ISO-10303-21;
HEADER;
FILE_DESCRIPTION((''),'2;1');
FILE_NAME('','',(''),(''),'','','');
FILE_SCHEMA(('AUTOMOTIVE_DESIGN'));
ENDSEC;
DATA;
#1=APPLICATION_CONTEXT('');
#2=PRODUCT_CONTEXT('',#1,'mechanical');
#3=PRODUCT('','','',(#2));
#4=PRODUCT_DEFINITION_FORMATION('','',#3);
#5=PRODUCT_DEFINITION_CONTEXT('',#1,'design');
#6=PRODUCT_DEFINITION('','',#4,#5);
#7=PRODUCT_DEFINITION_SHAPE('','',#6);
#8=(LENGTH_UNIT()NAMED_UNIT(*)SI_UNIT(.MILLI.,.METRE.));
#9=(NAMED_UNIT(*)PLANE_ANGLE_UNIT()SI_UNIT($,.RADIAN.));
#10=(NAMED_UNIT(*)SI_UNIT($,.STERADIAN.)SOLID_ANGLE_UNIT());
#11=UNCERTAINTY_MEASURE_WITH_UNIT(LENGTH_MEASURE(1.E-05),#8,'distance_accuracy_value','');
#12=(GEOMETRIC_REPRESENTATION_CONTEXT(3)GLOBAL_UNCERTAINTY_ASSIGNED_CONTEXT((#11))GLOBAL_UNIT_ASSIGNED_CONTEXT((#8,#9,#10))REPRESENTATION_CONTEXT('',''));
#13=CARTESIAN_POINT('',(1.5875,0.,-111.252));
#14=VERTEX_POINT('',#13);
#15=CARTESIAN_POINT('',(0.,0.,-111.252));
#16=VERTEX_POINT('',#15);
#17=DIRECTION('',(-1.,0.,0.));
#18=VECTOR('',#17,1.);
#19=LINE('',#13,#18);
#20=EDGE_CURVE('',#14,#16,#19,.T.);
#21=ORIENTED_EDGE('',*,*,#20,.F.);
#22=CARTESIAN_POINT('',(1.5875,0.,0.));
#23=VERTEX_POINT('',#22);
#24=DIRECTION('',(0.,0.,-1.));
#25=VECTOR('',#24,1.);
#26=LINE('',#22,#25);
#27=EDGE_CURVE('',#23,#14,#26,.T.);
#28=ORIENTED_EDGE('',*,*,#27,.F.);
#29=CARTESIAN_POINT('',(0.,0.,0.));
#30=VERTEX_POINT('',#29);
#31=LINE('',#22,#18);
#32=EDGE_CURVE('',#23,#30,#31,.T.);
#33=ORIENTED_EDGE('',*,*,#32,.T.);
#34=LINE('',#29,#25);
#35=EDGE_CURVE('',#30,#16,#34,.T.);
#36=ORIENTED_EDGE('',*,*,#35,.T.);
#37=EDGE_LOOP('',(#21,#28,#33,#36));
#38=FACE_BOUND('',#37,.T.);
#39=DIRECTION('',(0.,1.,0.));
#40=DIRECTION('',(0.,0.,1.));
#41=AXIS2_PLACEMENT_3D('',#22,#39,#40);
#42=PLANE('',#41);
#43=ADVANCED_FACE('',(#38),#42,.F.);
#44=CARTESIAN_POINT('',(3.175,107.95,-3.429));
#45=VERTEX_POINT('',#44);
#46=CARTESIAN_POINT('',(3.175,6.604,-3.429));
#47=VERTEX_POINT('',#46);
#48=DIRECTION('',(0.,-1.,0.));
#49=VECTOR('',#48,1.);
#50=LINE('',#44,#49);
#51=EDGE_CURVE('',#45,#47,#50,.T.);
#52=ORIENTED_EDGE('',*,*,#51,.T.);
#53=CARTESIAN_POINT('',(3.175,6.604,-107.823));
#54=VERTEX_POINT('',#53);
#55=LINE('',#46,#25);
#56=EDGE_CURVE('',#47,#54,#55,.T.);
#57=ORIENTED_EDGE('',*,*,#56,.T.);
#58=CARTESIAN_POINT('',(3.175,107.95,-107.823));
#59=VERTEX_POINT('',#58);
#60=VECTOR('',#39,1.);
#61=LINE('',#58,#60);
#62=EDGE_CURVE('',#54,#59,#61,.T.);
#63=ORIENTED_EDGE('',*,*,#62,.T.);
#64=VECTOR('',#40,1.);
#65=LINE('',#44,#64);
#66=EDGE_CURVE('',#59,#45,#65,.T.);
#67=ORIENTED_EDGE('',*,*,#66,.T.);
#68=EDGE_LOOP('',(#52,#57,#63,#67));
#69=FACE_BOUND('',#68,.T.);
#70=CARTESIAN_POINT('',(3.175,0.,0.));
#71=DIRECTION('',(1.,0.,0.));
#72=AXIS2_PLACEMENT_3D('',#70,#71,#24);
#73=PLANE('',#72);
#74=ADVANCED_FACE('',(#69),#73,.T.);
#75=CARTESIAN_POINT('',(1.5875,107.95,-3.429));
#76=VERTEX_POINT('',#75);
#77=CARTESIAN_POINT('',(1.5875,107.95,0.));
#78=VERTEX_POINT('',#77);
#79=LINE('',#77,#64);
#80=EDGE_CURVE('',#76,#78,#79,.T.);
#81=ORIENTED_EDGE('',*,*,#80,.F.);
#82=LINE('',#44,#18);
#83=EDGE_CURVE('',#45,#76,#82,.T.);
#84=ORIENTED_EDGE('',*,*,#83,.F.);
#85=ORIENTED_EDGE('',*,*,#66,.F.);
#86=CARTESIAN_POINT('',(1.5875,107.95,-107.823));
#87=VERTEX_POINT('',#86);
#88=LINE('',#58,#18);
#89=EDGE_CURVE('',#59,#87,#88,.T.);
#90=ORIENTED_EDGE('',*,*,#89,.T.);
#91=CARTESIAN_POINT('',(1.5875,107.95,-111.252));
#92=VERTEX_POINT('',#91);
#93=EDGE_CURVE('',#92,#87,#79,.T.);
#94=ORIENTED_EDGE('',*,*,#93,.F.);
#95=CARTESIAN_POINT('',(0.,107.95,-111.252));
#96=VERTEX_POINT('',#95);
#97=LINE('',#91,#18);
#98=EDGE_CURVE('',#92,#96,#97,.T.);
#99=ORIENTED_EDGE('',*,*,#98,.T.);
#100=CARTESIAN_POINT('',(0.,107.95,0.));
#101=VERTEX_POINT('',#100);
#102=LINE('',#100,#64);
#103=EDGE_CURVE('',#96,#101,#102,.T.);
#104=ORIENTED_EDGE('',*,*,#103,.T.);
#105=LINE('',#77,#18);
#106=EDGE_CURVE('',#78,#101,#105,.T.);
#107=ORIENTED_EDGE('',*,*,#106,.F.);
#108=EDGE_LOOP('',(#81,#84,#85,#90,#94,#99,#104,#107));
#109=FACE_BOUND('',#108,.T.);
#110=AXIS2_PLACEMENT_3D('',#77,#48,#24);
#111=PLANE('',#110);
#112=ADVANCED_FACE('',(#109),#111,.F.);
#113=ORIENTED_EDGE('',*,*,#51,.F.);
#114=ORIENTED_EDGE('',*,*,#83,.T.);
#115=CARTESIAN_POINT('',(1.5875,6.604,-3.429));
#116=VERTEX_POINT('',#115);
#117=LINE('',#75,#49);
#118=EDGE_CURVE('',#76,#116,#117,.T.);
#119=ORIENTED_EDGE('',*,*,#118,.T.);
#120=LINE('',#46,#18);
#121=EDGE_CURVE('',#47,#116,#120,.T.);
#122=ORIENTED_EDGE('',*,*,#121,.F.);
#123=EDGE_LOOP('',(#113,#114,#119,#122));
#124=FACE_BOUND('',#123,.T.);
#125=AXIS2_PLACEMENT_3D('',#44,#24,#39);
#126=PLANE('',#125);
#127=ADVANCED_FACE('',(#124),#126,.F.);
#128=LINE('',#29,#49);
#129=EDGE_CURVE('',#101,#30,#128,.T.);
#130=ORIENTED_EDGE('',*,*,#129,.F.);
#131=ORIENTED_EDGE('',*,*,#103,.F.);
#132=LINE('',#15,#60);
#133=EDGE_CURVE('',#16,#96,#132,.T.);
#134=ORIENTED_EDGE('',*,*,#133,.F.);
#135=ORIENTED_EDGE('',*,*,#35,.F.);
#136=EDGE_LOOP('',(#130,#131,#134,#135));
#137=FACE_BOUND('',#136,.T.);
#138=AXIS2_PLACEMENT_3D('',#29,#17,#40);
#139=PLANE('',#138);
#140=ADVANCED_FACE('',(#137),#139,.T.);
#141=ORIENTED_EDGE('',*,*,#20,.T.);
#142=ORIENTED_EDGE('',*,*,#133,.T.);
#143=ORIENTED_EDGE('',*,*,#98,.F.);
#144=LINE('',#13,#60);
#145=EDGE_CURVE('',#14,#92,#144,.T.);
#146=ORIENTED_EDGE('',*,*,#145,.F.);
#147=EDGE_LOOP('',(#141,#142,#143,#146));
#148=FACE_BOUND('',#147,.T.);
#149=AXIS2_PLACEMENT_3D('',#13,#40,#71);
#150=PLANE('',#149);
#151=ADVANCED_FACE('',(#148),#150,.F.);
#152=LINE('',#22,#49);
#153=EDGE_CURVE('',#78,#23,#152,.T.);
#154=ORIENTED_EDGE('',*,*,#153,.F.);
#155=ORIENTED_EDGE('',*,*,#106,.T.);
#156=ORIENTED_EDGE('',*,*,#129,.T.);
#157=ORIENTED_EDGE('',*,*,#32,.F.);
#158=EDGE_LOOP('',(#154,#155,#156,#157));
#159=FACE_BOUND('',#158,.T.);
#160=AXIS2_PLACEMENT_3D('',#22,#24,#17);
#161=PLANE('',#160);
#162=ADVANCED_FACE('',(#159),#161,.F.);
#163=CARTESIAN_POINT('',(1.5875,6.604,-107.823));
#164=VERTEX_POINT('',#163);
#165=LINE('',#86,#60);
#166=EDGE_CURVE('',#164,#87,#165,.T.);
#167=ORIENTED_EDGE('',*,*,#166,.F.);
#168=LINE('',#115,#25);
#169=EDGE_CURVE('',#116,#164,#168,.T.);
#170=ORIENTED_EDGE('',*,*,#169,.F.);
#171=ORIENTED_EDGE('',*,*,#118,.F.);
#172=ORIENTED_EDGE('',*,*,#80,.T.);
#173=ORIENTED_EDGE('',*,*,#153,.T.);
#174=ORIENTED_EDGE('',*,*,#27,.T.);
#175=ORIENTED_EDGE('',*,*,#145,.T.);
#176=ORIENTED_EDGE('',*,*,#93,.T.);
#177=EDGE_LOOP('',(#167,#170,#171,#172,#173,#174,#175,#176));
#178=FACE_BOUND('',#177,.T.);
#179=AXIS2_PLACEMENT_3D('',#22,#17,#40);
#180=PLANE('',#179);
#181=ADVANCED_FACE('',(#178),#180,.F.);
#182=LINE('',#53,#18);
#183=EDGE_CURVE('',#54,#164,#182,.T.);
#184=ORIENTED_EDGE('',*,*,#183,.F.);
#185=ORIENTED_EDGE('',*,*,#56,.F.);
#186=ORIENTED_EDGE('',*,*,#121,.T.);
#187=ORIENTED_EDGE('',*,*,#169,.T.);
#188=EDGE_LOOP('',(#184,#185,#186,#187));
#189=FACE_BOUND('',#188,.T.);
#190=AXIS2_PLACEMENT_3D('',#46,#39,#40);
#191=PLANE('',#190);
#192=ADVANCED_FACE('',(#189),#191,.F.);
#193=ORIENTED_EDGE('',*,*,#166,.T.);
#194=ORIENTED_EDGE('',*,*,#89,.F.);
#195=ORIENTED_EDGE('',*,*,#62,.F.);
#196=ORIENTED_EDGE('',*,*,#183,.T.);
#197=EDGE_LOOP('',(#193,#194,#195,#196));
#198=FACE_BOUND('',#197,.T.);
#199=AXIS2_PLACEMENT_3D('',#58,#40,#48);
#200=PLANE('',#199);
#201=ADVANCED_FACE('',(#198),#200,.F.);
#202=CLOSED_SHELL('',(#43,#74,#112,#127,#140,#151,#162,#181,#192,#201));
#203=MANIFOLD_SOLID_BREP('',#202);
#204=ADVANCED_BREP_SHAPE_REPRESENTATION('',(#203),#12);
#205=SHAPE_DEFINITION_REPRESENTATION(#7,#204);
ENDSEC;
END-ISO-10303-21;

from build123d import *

# Parameters (mm, degrees)
SKETCH1_W           = 111.252
SKETCH1_H           = 107.95
BOSS_EXTRUDE1_DEPTH = 1.5875
SKETCH2_W           = 104.394
SKETCH2_H           = 101.346
BOSS_EXTRUDE2_DEPTH = 1.5875


with BuildPart() as part:
    # Sketch1 → Boss-Extrude1 (new body)
    with BuildSketch(Plane(origin=(0, 0, 0), x_dir=(0, 0, -1), z_dir=(1, 0, 0))):
        with Locations((55.626, 53.975)):
            Rectangle(SKETCH1_W, SKETCH1_H)
    extrude(amount=BOSS_EXTRUDE1_DEPTH)

    # Sketch2 → Boss-Extrude2 (add)
    with BuildSketch(Plane(origin=(1.5875, 0, 0), x_dir=(0, 0, -1), z_dir=(1, 0, 0))):
        with Locations((55.626, 57.277)):
            Rectangle(SKETCH2_W, SKETCH2_H)
    extrude(amount=BOSS_EXTRUDE2_DEPTH)


solid = part.part
